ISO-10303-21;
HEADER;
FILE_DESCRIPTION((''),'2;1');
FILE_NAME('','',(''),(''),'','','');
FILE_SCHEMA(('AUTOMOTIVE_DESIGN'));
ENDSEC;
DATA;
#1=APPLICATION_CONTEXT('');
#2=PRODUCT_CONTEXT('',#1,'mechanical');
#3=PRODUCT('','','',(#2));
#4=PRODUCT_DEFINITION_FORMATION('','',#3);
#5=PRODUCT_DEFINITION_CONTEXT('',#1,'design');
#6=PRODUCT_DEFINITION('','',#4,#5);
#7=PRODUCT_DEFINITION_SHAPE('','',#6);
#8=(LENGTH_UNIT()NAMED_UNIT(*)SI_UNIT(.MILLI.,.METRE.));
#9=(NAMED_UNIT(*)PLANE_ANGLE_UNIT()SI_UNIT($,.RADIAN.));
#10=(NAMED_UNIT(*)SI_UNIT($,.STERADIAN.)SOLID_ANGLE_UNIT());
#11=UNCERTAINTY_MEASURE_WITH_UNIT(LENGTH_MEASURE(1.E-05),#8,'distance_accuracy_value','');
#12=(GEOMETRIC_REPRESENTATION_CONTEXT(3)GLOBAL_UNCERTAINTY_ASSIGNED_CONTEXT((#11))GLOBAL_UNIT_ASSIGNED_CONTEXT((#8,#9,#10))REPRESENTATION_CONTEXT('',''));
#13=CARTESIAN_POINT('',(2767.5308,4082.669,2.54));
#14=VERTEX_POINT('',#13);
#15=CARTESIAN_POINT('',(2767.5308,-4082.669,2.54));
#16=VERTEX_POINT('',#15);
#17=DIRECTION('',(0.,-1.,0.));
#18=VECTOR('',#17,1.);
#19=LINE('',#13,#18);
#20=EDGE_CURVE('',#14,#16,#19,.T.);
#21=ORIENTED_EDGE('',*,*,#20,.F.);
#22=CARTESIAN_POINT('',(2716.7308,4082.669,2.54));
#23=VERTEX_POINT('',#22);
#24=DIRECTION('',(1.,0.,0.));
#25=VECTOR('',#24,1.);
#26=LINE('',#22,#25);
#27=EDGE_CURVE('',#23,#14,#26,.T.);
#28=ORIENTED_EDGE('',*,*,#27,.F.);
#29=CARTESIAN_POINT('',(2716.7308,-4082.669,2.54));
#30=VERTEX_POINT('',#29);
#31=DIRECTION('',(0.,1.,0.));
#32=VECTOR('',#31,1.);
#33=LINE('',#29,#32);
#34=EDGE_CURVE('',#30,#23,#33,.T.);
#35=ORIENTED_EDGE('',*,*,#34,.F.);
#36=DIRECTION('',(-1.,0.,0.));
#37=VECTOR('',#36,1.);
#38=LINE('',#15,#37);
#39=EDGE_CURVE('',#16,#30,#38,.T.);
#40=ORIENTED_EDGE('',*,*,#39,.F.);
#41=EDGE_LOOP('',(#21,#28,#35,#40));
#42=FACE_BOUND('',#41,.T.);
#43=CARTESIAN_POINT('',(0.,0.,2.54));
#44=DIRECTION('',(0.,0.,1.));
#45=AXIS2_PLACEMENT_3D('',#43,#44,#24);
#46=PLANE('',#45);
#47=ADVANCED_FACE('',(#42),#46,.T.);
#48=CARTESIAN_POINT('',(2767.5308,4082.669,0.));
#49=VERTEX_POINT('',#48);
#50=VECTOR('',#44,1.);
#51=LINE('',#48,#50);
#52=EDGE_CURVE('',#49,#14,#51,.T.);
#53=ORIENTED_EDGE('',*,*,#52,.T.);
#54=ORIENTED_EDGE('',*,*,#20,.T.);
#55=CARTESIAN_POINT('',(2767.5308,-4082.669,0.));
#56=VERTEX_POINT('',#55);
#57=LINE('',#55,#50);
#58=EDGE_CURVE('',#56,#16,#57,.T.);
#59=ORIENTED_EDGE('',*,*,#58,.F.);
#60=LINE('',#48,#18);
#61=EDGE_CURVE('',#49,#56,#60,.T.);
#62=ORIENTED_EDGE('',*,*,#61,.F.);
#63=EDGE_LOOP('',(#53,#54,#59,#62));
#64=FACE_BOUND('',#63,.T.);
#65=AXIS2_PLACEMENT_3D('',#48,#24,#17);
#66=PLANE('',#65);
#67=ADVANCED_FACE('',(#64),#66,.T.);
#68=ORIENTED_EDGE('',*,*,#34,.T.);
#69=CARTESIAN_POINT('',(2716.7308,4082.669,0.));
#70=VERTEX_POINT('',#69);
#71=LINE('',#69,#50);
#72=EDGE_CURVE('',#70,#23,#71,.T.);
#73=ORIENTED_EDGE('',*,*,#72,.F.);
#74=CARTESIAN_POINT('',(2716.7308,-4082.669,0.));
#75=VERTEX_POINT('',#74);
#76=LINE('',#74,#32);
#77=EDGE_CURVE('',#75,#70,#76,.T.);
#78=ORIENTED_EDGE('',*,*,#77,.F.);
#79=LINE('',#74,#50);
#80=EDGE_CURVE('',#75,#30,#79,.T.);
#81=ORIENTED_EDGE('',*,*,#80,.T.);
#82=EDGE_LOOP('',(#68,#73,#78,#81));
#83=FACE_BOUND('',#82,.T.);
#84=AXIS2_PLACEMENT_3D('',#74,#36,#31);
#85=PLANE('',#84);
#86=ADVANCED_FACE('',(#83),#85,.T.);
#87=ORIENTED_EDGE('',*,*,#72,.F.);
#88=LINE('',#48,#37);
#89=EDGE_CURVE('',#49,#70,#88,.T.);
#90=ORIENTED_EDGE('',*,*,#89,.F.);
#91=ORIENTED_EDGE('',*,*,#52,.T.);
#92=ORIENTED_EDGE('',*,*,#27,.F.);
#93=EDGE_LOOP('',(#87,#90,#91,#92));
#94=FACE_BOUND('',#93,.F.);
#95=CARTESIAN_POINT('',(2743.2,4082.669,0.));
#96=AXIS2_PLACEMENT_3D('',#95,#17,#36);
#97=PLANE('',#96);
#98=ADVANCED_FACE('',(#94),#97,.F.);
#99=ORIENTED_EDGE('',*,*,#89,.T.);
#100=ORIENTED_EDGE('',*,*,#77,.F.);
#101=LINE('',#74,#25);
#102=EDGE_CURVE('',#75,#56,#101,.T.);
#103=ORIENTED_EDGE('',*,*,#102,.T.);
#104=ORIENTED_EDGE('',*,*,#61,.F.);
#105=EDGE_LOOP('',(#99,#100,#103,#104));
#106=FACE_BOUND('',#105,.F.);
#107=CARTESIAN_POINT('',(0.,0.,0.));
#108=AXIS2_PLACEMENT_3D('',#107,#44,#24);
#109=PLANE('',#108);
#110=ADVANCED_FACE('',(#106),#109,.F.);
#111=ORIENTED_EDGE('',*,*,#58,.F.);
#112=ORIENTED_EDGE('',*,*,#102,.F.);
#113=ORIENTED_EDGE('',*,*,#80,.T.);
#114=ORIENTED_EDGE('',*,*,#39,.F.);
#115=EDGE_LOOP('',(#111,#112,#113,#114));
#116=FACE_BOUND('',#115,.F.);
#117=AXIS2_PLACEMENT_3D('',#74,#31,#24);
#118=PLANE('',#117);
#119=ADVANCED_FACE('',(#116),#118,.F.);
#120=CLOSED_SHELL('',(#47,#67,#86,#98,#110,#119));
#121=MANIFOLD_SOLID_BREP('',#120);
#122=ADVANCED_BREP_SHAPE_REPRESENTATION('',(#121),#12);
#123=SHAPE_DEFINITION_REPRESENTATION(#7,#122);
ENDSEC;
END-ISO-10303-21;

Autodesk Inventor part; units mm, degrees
ref_plane "YZ Plane" through (0, 0, 0) normal (1, 0, 0) x (0, 1, 0)
ref_plane "XZ Plane" through (0, 0, 0) normal (0, 1, 0) x (-1, 0, 0)
ref_plane "XY Plane" through (0, 0, 0) normal (0, 0, 1) x (1, 0, 0)
ref_plane "Work Plane1" through (0, 0, 0) normal (0, 0, 1) x (1, 0, 0)
sketch "Sketch1" plane through (0, 0, 0) normal (0, 0, 1) x (1, 0, 0)
  line L0 (-8248.396, -4082.669) -> (8248.396, -4082.669) projected
  line L1 (8248.396, -4082.669) -> (8248.396, 4082.669) projected
  line L2 (8248.396, 4082.669) -> (-8248.396, 4082.669) projected
  line L3 (-8248.396, 4082.669) -> (-8248.396, -4082.669) projected
  line L4 (2716.7308, 4082.669) -> (2767.5308, 4082.669)
  line L5 (2767.5308, 4082.669) -> (2767.5308, -4082.669)
  line L6 (2767.5308, -4082.669) -> (2716.7308, -4082.669)
  line L7 (2716.7308, -4082.669) -> (2716.7308, 4082.669)
  line L8 (-8248.396, -4082.669) -> (8248.396, -4082.669) projected
  line L9 (8248.396, -4082.669) -> (8248.396, 4082.669) projected
  line L10 (8248.396, 4082.669) -> (-8248.396, 4082.669) projected
  line L11 (-8248.396, 4082.669) -> (-8248.396, -4082.669) projected
  line L12 (2743.2, -7112) -> (2743.2, 7112)
  point P0 (0, 0)
  point P1 (2742.1308, 4082.669)
  dimension "d0" = 50.8
extrude "Extrusion1" add sketch "Sketch1" along normal blind 2.54 contours L7 L2 L12 L0 | L12 L2 L5 L0
properties part number "RedLine" material "ABS Plastic"
